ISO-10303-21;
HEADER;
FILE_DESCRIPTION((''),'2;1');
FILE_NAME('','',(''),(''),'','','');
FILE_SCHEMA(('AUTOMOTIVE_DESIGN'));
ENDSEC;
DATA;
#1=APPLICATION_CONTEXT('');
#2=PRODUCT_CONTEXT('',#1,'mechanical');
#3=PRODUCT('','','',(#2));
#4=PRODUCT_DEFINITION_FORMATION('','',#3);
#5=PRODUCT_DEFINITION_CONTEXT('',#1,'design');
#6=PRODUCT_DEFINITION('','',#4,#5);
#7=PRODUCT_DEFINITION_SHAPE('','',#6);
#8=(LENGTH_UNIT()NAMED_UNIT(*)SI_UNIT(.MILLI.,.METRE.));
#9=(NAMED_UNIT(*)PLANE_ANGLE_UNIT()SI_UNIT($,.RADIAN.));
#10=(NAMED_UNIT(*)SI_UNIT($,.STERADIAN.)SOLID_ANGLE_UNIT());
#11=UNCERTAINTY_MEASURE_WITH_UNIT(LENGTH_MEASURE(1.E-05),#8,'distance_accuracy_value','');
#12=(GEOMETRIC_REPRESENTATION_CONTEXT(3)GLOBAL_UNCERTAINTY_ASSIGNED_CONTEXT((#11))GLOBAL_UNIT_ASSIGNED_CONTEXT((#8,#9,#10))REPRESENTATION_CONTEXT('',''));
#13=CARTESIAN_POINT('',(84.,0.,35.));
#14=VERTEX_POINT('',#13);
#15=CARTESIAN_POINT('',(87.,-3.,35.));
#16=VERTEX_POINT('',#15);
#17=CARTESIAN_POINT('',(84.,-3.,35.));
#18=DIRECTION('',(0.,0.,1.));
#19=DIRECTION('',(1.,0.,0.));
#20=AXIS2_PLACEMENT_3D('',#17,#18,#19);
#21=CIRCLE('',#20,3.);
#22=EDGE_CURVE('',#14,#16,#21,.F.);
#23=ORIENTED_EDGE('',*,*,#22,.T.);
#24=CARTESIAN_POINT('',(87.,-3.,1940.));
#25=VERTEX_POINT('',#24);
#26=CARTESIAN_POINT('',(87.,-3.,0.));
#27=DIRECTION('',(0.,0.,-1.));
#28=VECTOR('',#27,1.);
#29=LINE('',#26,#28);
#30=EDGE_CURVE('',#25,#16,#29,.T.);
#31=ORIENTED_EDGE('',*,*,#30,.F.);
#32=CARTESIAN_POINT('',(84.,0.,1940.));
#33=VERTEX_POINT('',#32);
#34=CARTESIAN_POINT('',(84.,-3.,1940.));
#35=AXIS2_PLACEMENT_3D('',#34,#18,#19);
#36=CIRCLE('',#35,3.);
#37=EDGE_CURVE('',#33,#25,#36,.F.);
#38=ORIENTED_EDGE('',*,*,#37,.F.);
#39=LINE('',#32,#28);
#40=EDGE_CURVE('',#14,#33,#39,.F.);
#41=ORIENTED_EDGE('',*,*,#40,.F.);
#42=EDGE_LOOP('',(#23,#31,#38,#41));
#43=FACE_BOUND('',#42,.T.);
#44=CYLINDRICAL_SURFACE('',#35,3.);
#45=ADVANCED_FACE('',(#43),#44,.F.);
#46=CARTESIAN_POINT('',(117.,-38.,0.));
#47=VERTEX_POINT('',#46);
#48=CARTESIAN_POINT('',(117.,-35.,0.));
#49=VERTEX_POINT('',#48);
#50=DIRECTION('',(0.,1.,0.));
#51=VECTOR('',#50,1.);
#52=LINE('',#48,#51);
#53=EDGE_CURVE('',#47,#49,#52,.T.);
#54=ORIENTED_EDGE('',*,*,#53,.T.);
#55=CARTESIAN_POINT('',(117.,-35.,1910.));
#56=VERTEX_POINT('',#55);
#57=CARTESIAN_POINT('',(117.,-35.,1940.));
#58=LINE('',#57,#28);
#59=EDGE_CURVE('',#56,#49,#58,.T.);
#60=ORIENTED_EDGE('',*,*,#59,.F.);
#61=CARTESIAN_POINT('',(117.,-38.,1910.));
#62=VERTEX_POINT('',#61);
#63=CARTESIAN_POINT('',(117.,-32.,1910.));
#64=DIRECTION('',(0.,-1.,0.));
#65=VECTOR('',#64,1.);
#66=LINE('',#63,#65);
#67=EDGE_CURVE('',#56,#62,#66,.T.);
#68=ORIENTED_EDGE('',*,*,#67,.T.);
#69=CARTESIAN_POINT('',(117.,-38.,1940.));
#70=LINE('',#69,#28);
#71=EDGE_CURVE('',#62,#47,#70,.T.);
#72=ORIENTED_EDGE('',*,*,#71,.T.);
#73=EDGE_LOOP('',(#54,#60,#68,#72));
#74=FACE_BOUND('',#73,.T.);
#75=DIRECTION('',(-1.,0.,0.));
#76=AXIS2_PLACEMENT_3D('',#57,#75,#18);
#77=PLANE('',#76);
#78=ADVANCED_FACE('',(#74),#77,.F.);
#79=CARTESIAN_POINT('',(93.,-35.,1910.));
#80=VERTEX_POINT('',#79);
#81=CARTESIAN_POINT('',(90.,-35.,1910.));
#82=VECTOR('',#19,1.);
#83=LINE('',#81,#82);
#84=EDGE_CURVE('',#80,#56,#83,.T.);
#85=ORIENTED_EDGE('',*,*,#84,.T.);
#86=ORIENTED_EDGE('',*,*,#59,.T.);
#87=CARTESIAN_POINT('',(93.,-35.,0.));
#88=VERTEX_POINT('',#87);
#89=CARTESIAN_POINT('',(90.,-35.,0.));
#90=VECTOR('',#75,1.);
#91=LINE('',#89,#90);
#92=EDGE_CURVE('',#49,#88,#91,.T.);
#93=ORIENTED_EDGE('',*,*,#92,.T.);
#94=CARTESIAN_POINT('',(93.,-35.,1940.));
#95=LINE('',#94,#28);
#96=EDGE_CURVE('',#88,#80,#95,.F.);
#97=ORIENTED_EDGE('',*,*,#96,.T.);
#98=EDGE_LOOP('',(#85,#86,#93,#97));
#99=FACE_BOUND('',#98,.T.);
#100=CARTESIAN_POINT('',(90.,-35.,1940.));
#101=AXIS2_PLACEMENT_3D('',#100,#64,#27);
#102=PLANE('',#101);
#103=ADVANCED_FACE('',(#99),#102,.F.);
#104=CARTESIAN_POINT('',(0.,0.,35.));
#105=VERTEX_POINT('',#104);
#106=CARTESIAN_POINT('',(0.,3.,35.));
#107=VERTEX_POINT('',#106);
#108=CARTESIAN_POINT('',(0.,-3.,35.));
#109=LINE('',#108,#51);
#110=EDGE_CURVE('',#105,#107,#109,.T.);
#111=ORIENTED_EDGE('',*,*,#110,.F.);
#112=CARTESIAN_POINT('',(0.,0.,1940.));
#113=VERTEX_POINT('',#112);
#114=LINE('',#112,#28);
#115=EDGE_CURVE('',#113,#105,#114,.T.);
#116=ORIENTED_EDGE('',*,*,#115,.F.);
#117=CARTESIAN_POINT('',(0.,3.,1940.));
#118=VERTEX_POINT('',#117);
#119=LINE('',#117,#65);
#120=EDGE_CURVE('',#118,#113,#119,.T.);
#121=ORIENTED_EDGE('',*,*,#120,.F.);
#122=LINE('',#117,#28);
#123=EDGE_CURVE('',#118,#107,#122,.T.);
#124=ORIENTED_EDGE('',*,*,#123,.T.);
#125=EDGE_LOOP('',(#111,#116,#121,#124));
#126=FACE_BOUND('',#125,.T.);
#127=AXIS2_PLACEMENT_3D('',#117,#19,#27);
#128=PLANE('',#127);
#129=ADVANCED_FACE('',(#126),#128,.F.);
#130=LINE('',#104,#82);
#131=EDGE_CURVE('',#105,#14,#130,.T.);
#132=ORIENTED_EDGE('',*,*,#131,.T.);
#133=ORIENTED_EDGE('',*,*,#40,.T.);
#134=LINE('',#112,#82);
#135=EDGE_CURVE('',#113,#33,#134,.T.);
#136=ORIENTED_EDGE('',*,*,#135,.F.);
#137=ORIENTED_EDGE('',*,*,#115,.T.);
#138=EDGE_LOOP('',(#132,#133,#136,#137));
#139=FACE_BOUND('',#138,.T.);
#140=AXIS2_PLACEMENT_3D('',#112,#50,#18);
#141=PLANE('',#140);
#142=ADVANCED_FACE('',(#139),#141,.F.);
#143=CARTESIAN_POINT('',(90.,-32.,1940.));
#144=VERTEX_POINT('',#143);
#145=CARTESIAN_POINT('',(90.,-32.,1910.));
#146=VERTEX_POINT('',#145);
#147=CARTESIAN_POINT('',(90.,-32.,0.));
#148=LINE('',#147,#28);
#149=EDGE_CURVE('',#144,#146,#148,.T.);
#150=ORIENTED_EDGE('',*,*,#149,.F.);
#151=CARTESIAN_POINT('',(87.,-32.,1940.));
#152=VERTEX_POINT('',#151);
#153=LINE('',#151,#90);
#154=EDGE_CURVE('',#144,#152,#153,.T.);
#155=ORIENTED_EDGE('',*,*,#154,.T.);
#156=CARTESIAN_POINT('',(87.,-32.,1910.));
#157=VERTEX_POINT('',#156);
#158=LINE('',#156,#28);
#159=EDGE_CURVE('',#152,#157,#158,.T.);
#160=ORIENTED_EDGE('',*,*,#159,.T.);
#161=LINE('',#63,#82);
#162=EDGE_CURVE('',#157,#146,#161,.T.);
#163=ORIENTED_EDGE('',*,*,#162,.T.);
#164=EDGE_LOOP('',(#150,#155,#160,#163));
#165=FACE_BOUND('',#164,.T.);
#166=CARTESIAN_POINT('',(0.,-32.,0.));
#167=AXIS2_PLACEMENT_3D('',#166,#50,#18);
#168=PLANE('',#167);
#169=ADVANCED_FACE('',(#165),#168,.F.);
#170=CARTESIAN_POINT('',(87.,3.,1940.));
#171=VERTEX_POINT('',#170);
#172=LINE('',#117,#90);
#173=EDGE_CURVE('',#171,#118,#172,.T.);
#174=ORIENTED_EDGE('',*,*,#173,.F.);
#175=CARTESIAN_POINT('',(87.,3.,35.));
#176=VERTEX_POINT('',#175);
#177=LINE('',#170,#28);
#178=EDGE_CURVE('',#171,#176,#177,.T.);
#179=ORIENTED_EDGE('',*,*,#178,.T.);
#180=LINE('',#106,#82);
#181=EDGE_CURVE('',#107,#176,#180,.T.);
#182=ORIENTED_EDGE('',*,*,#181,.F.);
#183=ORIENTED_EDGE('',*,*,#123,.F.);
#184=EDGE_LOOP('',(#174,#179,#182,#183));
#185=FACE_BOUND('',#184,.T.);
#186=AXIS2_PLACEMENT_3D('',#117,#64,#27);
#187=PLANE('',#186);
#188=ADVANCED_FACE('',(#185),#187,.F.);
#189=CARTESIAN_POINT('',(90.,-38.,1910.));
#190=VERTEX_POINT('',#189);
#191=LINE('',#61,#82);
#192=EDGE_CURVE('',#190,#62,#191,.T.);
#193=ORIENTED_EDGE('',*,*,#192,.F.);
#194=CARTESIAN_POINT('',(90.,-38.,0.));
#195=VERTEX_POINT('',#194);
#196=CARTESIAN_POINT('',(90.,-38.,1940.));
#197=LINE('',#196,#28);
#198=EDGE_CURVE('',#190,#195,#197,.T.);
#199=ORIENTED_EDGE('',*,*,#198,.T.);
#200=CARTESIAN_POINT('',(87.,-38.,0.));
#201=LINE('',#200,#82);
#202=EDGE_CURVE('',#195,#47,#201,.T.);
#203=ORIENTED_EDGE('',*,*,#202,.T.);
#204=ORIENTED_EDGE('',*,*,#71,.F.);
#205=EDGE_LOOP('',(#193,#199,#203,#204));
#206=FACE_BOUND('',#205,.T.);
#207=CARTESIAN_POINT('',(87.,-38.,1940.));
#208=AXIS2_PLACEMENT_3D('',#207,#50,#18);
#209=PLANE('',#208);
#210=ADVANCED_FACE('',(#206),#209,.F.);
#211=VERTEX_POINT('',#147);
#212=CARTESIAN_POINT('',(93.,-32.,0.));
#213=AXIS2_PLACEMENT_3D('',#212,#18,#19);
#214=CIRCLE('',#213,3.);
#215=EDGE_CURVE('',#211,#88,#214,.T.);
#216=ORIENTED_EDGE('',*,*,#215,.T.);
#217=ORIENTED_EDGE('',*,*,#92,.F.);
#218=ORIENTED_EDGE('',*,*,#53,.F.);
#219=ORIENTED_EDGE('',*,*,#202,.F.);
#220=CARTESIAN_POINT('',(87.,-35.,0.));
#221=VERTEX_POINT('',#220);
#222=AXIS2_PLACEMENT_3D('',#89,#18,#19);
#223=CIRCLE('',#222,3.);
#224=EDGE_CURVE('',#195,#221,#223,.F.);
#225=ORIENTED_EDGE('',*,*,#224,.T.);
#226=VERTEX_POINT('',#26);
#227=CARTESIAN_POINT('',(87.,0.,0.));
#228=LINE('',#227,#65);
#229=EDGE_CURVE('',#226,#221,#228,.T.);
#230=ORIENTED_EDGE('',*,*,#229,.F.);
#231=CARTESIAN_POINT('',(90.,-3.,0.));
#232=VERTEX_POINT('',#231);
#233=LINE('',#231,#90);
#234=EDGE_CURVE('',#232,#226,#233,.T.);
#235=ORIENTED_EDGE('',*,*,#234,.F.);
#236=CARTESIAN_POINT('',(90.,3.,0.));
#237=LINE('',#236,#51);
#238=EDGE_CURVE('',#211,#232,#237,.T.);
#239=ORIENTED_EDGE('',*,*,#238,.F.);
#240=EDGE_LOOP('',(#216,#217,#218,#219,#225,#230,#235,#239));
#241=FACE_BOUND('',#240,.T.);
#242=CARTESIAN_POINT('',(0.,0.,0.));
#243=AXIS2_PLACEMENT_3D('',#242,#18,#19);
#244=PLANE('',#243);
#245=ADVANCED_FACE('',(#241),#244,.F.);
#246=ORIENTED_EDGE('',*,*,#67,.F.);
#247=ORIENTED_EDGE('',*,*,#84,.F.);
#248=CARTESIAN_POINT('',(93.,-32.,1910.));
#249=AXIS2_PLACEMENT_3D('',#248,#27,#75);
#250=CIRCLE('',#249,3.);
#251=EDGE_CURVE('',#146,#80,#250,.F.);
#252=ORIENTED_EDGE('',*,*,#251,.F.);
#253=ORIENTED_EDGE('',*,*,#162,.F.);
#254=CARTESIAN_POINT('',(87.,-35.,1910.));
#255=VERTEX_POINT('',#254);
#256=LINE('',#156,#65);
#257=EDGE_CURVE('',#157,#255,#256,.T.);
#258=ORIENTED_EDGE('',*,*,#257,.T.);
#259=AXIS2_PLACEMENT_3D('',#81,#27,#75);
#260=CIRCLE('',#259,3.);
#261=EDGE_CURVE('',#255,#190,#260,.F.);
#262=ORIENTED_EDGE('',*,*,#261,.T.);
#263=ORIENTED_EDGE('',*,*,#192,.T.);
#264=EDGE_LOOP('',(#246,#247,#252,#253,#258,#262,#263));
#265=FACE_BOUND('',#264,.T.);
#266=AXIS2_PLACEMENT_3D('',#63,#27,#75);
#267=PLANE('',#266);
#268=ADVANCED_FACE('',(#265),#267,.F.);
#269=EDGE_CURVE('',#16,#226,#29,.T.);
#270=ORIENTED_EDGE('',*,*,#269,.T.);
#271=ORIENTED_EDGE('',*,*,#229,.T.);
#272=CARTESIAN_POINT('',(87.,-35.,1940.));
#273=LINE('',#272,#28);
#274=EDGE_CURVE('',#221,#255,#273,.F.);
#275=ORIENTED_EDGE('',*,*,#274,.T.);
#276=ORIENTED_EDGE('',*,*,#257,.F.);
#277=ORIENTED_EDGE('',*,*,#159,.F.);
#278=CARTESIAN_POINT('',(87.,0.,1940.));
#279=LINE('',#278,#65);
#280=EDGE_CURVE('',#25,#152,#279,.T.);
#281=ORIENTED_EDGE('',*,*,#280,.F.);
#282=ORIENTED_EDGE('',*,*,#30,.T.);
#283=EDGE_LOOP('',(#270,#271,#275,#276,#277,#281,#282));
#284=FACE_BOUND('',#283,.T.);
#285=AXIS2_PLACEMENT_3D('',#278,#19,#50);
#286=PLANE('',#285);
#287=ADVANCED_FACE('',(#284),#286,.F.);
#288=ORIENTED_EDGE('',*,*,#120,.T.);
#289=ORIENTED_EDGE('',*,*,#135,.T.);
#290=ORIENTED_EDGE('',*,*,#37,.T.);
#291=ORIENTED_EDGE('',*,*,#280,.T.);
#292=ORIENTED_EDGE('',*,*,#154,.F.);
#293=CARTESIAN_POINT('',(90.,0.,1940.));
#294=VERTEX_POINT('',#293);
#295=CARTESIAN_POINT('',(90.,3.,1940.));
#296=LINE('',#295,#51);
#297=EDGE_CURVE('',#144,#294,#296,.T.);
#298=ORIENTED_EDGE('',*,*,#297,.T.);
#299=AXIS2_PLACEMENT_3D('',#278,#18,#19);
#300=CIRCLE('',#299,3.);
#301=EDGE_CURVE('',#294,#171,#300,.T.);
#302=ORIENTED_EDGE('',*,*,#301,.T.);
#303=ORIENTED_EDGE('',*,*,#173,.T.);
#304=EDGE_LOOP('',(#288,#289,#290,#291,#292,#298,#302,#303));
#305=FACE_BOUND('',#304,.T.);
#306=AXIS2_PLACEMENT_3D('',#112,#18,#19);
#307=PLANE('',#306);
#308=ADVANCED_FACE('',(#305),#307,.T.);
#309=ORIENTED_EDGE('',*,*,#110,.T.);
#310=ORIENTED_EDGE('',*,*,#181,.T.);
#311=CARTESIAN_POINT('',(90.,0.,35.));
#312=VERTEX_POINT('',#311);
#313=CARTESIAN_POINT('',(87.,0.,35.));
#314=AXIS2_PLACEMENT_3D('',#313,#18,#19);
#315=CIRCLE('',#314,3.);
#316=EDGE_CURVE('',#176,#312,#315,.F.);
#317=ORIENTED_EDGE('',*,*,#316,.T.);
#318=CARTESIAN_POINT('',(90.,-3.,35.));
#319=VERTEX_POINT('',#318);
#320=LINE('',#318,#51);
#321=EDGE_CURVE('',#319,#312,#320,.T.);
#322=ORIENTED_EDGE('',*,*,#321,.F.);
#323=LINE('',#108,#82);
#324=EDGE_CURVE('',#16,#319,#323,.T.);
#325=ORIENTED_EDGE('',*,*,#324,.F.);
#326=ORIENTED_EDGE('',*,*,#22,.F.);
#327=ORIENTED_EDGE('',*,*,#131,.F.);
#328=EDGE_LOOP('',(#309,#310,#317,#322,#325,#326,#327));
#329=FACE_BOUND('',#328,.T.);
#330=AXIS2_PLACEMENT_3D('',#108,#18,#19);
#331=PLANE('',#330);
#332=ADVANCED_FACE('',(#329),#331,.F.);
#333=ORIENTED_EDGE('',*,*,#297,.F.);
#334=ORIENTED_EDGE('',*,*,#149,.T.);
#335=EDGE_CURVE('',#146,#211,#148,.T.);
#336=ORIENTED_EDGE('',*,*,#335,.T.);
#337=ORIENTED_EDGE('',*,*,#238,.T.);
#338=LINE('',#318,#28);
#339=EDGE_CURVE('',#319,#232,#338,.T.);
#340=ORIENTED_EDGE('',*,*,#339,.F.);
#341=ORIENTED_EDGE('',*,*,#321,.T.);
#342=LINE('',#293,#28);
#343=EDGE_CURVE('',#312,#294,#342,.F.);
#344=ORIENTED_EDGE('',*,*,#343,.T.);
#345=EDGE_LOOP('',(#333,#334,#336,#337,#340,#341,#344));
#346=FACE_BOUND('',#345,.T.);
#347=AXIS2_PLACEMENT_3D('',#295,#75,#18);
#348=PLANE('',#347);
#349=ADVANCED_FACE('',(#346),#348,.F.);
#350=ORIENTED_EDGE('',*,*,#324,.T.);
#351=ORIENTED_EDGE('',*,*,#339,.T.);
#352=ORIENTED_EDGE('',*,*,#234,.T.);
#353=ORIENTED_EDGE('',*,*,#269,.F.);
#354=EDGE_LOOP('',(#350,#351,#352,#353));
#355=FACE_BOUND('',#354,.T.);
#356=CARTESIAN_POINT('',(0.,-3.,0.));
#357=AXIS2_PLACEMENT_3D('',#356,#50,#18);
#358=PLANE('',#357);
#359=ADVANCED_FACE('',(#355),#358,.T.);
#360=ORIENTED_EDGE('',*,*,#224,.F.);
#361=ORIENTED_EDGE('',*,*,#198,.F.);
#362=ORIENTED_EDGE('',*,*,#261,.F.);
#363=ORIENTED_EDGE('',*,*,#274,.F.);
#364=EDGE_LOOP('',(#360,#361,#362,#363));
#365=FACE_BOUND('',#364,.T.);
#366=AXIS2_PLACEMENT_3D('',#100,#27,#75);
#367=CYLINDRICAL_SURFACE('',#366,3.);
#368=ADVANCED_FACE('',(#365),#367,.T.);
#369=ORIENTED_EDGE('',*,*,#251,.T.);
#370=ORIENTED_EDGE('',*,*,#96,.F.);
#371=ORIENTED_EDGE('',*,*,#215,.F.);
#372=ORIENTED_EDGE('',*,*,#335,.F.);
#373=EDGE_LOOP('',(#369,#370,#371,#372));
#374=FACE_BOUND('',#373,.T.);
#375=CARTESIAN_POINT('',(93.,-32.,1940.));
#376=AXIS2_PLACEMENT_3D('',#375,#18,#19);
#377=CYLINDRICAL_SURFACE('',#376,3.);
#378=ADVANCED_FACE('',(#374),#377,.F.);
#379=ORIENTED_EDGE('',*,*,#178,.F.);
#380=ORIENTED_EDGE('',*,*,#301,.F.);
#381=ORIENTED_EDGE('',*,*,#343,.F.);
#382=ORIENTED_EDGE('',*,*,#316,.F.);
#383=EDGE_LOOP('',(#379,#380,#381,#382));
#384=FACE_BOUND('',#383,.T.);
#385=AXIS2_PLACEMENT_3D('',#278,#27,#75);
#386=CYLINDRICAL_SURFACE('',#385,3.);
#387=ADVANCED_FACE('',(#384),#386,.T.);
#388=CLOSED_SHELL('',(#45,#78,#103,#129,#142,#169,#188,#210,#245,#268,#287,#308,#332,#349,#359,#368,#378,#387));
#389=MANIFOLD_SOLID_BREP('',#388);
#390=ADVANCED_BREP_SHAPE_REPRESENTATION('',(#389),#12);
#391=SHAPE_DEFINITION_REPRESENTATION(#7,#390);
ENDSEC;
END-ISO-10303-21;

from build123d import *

# Parameters (mm, degrees)
BOSS_EXTRUDE1_DEPTH = 1940
FILLET1_R           = 3
SKETCH2_W           = 90
SKETCH2_H           = 35
CUT_EXTRUDE1_DEPTH  = 6
SKETCH3_W           = 30
SKETCH3_H           = 30
CUT_EXTRUDE2_DEPTH  = 6


with BuildPart() as part:
    # Sketch1 → Boss-Extrude1 (new body)
    with BuildSketch(Plane.XY):
        Polygon((0, 0), (87, 0), (87, -38), (117, -38), (117, -35), (90, -35), (90, 3), (0, 3), align=None)
    extrude(amount=BOSS_EXTRUDE1_DEPTH)

    # Fillet1
    fillet1_edges = [part.edges().sort_by_distance(p)[0] for p in [
        (90, 3, 970),
        (90, -35, 970),
        (87, -38, 970),
        (87, 0, 970),
    ]]
    fillet(fillet1_edges, radius=FILLET1_R)

    # Sketch2 → Cut-Extrude1 (cut)
    with BuildSketch(Plane(origin=(0, 3, 0), x_dir=(1, 0, 0), z_dir=(0, 1, 0))):
        with Locations((45, -17.5)):
            Rectangle(SKETCH2_W, SKETCH2_H)
    extrude(amount=-CUT_EXTRUDE1_DEPTH, mode=Mode.SUBTRACT)

    # Sketch3 → Cut-Extrude2 (cut)
    with BuildSketch(Plane.XZ.offset(38)):
        with Locations((102, 1925)):
            Rectangle(SKETCH3_W, SKETCH3_H)
    extrude(amount=-CUT_EXTRUDE2_DEPTH, mode=Mode.SUBTRACT)


solid = part.part
